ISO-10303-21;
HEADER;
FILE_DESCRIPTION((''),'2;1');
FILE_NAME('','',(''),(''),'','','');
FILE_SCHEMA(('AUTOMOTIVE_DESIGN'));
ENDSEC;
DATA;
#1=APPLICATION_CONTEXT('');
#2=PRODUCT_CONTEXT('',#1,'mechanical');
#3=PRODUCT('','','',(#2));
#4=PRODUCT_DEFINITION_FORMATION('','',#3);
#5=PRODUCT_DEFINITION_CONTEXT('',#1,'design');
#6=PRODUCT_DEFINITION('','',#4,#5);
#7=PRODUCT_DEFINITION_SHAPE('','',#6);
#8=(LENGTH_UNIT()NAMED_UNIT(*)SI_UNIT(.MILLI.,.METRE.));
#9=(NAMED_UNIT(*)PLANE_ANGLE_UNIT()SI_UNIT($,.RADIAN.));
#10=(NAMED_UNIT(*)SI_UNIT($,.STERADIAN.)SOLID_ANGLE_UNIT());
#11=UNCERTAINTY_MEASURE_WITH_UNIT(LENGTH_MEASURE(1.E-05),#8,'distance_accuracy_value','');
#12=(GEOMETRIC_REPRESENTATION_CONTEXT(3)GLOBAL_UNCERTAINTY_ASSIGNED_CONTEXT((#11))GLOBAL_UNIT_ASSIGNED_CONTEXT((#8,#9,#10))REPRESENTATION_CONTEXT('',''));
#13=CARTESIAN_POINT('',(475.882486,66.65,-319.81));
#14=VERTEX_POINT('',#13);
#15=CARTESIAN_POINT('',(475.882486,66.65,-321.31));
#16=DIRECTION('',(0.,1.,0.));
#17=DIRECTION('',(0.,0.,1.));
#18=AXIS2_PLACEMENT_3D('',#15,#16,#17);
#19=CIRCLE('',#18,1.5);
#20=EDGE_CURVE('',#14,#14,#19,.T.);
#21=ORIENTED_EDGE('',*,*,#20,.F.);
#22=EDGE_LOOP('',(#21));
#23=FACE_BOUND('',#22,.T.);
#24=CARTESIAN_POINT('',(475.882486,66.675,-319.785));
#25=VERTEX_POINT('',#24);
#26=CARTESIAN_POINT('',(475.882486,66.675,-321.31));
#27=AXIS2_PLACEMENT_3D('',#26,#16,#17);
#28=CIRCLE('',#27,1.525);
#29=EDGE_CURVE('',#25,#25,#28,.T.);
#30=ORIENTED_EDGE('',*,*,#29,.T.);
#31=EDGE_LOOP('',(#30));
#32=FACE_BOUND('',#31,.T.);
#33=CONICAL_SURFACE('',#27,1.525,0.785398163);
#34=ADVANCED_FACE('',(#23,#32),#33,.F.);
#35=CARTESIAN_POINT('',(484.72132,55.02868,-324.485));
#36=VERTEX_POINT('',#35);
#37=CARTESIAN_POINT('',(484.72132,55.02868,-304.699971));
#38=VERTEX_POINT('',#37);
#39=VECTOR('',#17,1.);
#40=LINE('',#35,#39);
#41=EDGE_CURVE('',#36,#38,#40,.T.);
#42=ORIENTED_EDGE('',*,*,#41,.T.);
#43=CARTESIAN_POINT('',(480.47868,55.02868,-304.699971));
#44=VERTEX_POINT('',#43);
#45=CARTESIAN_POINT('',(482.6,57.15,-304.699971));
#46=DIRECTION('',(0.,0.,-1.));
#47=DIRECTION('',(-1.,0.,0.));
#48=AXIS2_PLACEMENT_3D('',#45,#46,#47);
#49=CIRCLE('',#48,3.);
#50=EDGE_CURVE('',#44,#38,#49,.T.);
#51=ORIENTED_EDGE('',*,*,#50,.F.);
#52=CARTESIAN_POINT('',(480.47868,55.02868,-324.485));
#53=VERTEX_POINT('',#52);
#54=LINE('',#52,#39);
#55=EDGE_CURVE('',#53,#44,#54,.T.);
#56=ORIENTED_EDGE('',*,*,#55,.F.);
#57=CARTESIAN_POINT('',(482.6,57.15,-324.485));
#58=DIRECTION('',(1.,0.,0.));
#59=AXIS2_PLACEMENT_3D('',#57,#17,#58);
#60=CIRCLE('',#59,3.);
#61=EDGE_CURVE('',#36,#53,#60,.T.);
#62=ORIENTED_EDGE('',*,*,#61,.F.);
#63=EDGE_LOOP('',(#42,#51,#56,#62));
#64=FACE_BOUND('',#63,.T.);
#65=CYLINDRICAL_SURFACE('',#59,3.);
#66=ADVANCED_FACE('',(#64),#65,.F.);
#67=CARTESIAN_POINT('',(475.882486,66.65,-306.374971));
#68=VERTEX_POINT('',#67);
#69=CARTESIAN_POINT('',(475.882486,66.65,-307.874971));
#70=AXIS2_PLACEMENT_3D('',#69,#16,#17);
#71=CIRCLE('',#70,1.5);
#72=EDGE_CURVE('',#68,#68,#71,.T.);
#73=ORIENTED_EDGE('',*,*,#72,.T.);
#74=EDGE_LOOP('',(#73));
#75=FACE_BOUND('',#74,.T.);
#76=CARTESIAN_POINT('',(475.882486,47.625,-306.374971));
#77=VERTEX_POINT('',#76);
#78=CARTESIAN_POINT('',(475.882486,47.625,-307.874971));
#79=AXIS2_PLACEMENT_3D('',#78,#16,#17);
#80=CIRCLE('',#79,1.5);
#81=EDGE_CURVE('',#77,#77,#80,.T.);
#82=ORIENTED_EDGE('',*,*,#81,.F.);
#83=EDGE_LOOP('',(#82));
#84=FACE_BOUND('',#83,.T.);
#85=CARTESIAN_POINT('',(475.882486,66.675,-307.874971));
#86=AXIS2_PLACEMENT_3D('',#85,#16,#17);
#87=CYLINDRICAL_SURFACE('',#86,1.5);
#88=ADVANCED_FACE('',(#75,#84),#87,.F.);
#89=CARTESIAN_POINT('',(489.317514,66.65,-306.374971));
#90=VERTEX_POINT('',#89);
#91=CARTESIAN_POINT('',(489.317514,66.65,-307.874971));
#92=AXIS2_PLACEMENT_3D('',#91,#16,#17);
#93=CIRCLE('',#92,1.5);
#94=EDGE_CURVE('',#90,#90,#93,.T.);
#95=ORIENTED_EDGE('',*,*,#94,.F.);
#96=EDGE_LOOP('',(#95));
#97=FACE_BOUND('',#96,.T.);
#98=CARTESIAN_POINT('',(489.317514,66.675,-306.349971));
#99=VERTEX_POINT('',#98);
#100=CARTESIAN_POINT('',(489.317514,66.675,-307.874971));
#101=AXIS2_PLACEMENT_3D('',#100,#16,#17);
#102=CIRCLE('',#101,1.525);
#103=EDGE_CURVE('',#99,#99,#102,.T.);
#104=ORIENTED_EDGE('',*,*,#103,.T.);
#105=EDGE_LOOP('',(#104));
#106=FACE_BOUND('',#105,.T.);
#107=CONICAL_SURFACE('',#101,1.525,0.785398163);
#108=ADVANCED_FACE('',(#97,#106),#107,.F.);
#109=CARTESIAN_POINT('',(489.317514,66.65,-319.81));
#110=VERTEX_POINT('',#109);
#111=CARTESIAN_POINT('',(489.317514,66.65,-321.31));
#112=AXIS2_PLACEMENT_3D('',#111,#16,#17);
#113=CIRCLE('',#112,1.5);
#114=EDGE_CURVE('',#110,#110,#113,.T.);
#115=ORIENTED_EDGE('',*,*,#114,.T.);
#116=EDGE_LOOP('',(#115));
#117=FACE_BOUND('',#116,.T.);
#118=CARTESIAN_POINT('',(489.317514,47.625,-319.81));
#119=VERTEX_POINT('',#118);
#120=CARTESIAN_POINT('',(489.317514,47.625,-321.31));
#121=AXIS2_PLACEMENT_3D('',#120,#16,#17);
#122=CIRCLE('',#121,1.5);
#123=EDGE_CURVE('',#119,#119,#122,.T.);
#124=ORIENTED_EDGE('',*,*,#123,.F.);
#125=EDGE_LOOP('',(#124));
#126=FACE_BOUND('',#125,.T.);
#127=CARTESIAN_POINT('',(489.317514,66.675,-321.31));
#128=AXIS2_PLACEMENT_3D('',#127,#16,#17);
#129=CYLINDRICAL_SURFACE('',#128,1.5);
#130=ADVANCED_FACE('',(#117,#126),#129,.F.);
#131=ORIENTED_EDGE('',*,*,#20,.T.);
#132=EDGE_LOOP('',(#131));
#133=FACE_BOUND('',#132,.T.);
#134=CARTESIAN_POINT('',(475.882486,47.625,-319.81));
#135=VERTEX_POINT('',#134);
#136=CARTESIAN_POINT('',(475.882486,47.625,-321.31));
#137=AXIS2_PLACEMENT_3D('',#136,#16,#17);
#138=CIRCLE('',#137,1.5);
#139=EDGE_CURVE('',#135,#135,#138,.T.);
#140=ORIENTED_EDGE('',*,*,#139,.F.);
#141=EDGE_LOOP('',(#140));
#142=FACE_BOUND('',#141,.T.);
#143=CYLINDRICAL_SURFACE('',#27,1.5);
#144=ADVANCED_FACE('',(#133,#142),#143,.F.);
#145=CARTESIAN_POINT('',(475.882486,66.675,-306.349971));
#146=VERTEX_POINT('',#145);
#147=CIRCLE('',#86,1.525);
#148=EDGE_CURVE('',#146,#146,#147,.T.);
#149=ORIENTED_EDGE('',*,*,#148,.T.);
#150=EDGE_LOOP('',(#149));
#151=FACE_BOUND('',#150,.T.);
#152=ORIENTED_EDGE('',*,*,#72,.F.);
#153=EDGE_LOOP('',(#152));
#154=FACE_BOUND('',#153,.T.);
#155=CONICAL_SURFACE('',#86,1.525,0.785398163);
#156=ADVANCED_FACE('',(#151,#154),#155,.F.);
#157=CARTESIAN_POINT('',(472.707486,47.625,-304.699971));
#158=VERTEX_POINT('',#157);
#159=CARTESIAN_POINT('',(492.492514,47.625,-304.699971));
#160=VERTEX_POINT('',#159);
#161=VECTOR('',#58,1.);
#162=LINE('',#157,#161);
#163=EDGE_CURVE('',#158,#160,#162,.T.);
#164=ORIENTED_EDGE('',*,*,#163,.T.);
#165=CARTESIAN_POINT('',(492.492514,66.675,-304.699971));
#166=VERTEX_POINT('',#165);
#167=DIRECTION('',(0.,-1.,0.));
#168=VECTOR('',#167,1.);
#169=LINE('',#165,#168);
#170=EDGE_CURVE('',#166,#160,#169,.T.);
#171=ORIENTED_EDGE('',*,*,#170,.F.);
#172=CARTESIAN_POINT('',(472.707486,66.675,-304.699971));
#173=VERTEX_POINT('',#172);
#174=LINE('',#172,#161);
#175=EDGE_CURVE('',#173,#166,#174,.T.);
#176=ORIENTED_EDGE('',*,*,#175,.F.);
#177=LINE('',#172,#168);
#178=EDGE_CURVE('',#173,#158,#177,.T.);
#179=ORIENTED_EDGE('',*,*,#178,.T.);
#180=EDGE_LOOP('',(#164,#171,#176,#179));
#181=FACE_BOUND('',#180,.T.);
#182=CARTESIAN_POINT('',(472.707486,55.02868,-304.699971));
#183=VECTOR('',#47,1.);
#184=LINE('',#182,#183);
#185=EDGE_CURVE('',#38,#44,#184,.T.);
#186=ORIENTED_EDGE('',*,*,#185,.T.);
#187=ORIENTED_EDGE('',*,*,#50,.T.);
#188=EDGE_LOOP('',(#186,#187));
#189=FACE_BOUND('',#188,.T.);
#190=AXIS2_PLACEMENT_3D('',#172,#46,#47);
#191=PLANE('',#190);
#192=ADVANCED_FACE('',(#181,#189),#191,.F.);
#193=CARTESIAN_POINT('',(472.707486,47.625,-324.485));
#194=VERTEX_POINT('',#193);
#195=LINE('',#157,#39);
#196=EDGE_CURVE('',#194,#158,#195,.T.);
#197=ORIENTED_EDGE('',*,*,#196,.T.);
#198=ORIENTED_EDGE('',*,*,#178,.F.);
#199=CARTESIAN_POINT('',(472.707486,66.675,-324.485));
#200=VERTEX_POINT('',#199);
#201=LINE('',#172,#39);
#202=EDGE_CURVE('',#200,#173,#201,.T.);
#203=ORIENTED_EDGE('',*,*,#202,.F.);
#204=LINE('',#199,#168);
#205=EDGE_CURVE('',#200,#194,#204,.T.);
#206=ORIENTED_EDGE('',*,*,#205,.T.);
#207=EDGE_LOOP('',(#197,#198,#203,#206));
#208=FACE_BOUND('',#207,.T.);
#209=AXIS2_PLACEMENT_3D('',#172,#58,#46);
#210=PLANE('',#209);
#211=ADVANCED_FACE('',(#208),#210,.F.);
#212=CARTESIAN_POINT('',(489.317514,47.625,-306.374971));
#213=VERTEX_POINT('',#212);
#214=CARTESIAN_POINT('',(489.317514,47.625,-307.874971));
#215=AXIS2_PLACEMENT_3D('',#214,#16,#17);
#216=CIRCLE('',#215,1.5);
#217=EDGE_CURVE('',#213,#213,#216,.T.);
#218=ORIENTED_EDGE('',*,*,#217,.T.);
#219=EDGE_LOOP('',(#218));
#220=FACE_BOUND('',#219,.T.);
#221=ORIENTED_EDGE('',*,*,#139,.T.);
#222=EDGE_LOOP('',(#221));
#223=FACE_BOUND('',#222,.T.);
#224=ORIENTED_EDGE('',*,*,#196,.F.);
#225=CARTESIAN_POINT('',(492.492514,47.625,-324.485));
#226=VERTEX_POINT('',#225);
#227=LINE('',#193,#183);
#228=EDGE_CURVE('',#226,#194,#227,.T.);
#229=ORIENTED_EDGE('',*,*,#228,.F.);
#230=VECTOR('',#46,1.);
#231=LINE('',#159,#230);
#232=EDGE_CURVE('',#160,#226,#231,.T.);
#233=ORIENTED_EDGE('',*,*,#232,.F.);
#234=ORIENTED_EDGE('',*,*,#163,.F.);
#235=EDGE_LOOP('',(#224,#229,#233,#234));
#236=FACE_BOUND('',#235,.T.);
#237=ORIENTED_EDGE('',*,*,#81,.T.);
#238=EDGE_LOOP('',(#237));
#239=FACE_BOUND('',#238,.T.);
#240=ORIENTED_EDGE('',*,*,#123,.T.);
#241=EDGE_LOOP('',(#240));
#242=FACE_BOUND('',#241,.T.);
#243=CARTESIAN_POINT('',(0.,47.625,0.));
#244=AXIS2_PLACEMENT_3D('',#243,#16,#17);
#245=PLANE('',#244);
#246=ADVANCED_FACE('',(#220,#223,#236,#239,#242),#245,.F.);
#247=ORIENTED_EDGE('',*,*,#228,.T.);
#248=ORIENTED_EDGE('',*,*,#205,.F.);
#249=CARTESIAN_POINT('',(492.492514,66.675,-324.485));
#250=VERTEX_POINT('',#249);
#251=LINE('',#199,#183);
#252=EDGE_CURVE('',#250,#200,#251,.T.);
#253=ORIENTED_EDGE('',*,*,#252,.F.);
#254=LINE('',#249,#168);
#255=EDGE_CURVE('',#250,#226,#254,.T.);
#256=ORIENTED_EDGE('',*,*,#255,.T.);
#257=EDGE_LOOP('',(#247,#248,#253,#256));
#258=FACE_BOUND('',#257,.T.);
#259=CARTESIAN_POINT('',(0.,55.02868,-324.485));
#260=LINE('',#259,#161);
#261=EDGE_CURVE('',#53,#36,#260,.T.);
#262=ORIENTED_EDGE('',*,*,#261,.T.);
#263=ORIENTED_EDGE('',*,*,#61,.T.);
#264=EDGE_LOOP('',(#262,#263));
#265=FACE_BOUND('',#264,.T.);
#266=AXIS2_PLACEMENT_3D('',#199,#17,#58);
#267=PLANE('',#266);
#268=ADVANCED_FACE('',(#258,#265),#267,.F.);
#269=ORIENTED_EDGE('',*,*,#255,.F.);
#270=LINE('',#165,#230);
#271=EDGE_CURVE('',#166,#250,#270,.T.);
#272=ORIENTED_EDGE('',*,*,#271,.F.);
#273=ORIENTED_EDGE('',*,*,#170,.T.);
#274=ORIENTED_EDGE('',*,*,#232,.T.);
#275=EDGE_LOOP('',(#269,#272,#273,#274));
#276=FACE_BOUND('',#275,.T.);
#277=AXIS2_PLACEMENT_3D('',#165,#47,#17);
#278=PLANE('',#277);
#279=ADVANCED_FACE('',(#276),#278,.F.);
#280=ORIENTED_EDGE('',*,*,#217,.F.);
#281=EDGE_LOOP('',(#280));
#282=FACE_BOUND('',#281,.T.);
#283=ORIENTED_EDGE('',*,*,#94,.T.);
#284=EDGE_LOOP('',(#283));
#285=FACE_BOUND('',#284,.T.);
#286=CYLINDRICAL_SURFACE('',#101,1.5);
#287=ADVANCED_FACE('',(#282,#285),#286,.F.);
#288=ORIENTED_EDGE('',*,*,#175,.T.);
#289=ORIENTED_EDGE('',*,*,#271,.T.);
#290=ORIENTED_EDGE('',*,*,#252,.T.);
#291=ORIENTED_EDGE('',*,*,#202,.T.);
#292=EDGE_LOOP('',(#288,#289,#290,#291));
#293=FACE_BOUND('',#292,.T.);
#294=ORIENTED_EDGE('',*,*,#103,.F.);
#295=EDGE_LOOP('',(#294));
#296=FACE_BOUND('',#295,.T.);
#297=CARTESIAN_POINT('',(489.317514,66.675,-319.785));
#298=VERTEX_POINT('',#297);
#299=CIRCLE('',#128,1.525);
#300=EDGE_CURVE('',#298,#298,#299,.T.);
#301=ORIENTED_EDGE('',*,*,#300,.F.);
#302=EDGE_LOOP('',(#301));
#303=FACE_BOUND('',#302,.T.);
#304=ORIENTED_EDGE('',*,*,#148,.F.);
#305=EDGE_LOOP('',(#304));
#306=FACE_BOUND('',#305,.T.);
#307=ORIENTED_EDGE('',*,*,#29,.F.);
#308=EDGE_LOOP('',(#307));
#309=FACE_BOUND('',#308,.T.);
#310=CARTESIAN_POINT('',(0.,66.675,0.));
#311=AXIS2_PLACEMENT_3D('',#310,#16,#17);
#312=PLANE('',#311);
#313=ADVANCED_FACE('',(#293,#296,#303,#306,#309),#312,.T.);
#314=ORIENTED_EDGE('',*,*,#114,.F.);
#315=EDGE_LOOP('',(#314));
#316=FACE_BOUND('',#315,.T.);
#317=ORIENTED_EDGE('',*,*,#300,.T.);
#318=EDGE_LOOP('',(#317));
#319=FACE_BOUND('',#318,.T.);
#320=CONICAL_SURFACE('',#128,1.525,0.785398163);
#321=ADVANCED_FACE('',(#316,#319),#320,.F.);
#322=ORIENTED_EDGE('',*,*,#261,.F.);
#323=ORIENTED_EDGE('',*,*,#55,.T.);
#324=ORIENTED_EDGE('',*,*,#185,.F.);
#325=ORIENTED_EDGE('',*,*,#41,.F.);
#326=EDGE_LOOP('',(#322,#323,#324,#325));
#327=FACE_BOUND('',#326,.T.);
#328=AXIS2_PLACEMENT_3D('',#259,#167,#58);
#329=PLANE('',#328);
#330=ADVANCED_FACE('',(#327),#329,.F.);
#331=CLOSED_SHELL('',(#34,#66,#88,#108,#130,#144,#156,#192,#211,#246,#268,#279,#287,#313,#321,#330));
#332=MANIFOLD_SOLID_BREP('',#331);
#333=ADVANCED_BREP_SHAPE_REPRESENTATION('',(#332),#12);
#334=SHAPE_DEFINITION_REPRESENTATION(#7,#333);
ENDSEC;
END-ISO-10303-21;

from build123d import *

# Parameters (mm, degrees)
BOSS_EXTRUDE1_START             = 47.625
SKETCH5_W                       = 19.785028842
SKETCH5_H                       = 19.785028843
BOSS_EXTRUDE1_DEPTH             = 19.05
F_3_0MM_DOWEL_HOLE1_D           = 3
F_3_0MM_DOWEL_HOLE1_DEPTH       = 25.4
F_3_0MM_DOWEL_HOLE1_CSINK_D     = 3.05
F_3_0MM_DOWEL_HOLE1_CSINK_ANGLE = 90
F_3_0MM_DOWEL_HOLE1_TIP         = 0.901290929
CUT_EXTRUDE1_DEPTH              = 594.535969939


with BuildPart() as part:
    # Sketch5 → Boss-Extrude1 (new body)
    with BuildSketch(Plane(origin=(0, 0, 0), x_dir=(1, 0, 0), z_dir=(0, 1, 0)).offset(BOSS_EXTRUDE1_START)):
        with Locations((482.6, 314.592485579)):
            Rectangle(SKETCH5_W, SKETCH5_H)
    extrude(amount=BOSS_EXTRUDE1_DEPTH)

    # Ø3.0mm Dowel Hole1
    with Locations(Plane(origin=(0, 66.675, 0), x_dir=(1, 0, 0), z_dir=(0, 1, 0))):
        with Locations((475.882485579, 321.31), (489.317514421, 321.31), (489.317514421, 307.874971157), (475.882485579, 307.874971157)):
            CounterSinkHole(F_3_0MM_DOWEL_HOLE1_D / 2, F_3_0MM_DOWEL_HOLE1_CSINK_D / 2, depth=F_3_0MM_DOWEL_HOLE1_DEPTH, counter_sink_angle=F_3_0MM_DOWEL_HOLE1_CSINK_ANGLE)
            with Locations((0, 0, -(F_3_0MM_DOWEL_HOLE1_DEPTH + F_3_0MM_DOWEL_HOLE1_TIP / 2))):  # 118° drill point
                Cone(0, F_3_0MM_DOWEL_HOLE1_D / 2, F_3_0MM_DOWEL_HOLE1_TIP, mode=Mode.SUBTRACT)

    # Sketch8 → Cut-Extrude1 (cut, through all)
    with BuildSketch(Plane.XY):
        with BuildLine():
            ThreePointArc((485.6, 57.15), (481.451949703, 59.921638598), (480.478679656, 55.028679656))
            Line((480.478679656, 55.028679656), (484.721320344, 55.028679656))
            ThreePointArc((484.721320344, 55.028679656), (485.371638598, 56.001949703), (485.6, 57.15))
        make_face()
    extrude(amount=-CUT_EXTRUDE1_DEPTH, mode=Mode.SUBTRACT)


solid = part.part
